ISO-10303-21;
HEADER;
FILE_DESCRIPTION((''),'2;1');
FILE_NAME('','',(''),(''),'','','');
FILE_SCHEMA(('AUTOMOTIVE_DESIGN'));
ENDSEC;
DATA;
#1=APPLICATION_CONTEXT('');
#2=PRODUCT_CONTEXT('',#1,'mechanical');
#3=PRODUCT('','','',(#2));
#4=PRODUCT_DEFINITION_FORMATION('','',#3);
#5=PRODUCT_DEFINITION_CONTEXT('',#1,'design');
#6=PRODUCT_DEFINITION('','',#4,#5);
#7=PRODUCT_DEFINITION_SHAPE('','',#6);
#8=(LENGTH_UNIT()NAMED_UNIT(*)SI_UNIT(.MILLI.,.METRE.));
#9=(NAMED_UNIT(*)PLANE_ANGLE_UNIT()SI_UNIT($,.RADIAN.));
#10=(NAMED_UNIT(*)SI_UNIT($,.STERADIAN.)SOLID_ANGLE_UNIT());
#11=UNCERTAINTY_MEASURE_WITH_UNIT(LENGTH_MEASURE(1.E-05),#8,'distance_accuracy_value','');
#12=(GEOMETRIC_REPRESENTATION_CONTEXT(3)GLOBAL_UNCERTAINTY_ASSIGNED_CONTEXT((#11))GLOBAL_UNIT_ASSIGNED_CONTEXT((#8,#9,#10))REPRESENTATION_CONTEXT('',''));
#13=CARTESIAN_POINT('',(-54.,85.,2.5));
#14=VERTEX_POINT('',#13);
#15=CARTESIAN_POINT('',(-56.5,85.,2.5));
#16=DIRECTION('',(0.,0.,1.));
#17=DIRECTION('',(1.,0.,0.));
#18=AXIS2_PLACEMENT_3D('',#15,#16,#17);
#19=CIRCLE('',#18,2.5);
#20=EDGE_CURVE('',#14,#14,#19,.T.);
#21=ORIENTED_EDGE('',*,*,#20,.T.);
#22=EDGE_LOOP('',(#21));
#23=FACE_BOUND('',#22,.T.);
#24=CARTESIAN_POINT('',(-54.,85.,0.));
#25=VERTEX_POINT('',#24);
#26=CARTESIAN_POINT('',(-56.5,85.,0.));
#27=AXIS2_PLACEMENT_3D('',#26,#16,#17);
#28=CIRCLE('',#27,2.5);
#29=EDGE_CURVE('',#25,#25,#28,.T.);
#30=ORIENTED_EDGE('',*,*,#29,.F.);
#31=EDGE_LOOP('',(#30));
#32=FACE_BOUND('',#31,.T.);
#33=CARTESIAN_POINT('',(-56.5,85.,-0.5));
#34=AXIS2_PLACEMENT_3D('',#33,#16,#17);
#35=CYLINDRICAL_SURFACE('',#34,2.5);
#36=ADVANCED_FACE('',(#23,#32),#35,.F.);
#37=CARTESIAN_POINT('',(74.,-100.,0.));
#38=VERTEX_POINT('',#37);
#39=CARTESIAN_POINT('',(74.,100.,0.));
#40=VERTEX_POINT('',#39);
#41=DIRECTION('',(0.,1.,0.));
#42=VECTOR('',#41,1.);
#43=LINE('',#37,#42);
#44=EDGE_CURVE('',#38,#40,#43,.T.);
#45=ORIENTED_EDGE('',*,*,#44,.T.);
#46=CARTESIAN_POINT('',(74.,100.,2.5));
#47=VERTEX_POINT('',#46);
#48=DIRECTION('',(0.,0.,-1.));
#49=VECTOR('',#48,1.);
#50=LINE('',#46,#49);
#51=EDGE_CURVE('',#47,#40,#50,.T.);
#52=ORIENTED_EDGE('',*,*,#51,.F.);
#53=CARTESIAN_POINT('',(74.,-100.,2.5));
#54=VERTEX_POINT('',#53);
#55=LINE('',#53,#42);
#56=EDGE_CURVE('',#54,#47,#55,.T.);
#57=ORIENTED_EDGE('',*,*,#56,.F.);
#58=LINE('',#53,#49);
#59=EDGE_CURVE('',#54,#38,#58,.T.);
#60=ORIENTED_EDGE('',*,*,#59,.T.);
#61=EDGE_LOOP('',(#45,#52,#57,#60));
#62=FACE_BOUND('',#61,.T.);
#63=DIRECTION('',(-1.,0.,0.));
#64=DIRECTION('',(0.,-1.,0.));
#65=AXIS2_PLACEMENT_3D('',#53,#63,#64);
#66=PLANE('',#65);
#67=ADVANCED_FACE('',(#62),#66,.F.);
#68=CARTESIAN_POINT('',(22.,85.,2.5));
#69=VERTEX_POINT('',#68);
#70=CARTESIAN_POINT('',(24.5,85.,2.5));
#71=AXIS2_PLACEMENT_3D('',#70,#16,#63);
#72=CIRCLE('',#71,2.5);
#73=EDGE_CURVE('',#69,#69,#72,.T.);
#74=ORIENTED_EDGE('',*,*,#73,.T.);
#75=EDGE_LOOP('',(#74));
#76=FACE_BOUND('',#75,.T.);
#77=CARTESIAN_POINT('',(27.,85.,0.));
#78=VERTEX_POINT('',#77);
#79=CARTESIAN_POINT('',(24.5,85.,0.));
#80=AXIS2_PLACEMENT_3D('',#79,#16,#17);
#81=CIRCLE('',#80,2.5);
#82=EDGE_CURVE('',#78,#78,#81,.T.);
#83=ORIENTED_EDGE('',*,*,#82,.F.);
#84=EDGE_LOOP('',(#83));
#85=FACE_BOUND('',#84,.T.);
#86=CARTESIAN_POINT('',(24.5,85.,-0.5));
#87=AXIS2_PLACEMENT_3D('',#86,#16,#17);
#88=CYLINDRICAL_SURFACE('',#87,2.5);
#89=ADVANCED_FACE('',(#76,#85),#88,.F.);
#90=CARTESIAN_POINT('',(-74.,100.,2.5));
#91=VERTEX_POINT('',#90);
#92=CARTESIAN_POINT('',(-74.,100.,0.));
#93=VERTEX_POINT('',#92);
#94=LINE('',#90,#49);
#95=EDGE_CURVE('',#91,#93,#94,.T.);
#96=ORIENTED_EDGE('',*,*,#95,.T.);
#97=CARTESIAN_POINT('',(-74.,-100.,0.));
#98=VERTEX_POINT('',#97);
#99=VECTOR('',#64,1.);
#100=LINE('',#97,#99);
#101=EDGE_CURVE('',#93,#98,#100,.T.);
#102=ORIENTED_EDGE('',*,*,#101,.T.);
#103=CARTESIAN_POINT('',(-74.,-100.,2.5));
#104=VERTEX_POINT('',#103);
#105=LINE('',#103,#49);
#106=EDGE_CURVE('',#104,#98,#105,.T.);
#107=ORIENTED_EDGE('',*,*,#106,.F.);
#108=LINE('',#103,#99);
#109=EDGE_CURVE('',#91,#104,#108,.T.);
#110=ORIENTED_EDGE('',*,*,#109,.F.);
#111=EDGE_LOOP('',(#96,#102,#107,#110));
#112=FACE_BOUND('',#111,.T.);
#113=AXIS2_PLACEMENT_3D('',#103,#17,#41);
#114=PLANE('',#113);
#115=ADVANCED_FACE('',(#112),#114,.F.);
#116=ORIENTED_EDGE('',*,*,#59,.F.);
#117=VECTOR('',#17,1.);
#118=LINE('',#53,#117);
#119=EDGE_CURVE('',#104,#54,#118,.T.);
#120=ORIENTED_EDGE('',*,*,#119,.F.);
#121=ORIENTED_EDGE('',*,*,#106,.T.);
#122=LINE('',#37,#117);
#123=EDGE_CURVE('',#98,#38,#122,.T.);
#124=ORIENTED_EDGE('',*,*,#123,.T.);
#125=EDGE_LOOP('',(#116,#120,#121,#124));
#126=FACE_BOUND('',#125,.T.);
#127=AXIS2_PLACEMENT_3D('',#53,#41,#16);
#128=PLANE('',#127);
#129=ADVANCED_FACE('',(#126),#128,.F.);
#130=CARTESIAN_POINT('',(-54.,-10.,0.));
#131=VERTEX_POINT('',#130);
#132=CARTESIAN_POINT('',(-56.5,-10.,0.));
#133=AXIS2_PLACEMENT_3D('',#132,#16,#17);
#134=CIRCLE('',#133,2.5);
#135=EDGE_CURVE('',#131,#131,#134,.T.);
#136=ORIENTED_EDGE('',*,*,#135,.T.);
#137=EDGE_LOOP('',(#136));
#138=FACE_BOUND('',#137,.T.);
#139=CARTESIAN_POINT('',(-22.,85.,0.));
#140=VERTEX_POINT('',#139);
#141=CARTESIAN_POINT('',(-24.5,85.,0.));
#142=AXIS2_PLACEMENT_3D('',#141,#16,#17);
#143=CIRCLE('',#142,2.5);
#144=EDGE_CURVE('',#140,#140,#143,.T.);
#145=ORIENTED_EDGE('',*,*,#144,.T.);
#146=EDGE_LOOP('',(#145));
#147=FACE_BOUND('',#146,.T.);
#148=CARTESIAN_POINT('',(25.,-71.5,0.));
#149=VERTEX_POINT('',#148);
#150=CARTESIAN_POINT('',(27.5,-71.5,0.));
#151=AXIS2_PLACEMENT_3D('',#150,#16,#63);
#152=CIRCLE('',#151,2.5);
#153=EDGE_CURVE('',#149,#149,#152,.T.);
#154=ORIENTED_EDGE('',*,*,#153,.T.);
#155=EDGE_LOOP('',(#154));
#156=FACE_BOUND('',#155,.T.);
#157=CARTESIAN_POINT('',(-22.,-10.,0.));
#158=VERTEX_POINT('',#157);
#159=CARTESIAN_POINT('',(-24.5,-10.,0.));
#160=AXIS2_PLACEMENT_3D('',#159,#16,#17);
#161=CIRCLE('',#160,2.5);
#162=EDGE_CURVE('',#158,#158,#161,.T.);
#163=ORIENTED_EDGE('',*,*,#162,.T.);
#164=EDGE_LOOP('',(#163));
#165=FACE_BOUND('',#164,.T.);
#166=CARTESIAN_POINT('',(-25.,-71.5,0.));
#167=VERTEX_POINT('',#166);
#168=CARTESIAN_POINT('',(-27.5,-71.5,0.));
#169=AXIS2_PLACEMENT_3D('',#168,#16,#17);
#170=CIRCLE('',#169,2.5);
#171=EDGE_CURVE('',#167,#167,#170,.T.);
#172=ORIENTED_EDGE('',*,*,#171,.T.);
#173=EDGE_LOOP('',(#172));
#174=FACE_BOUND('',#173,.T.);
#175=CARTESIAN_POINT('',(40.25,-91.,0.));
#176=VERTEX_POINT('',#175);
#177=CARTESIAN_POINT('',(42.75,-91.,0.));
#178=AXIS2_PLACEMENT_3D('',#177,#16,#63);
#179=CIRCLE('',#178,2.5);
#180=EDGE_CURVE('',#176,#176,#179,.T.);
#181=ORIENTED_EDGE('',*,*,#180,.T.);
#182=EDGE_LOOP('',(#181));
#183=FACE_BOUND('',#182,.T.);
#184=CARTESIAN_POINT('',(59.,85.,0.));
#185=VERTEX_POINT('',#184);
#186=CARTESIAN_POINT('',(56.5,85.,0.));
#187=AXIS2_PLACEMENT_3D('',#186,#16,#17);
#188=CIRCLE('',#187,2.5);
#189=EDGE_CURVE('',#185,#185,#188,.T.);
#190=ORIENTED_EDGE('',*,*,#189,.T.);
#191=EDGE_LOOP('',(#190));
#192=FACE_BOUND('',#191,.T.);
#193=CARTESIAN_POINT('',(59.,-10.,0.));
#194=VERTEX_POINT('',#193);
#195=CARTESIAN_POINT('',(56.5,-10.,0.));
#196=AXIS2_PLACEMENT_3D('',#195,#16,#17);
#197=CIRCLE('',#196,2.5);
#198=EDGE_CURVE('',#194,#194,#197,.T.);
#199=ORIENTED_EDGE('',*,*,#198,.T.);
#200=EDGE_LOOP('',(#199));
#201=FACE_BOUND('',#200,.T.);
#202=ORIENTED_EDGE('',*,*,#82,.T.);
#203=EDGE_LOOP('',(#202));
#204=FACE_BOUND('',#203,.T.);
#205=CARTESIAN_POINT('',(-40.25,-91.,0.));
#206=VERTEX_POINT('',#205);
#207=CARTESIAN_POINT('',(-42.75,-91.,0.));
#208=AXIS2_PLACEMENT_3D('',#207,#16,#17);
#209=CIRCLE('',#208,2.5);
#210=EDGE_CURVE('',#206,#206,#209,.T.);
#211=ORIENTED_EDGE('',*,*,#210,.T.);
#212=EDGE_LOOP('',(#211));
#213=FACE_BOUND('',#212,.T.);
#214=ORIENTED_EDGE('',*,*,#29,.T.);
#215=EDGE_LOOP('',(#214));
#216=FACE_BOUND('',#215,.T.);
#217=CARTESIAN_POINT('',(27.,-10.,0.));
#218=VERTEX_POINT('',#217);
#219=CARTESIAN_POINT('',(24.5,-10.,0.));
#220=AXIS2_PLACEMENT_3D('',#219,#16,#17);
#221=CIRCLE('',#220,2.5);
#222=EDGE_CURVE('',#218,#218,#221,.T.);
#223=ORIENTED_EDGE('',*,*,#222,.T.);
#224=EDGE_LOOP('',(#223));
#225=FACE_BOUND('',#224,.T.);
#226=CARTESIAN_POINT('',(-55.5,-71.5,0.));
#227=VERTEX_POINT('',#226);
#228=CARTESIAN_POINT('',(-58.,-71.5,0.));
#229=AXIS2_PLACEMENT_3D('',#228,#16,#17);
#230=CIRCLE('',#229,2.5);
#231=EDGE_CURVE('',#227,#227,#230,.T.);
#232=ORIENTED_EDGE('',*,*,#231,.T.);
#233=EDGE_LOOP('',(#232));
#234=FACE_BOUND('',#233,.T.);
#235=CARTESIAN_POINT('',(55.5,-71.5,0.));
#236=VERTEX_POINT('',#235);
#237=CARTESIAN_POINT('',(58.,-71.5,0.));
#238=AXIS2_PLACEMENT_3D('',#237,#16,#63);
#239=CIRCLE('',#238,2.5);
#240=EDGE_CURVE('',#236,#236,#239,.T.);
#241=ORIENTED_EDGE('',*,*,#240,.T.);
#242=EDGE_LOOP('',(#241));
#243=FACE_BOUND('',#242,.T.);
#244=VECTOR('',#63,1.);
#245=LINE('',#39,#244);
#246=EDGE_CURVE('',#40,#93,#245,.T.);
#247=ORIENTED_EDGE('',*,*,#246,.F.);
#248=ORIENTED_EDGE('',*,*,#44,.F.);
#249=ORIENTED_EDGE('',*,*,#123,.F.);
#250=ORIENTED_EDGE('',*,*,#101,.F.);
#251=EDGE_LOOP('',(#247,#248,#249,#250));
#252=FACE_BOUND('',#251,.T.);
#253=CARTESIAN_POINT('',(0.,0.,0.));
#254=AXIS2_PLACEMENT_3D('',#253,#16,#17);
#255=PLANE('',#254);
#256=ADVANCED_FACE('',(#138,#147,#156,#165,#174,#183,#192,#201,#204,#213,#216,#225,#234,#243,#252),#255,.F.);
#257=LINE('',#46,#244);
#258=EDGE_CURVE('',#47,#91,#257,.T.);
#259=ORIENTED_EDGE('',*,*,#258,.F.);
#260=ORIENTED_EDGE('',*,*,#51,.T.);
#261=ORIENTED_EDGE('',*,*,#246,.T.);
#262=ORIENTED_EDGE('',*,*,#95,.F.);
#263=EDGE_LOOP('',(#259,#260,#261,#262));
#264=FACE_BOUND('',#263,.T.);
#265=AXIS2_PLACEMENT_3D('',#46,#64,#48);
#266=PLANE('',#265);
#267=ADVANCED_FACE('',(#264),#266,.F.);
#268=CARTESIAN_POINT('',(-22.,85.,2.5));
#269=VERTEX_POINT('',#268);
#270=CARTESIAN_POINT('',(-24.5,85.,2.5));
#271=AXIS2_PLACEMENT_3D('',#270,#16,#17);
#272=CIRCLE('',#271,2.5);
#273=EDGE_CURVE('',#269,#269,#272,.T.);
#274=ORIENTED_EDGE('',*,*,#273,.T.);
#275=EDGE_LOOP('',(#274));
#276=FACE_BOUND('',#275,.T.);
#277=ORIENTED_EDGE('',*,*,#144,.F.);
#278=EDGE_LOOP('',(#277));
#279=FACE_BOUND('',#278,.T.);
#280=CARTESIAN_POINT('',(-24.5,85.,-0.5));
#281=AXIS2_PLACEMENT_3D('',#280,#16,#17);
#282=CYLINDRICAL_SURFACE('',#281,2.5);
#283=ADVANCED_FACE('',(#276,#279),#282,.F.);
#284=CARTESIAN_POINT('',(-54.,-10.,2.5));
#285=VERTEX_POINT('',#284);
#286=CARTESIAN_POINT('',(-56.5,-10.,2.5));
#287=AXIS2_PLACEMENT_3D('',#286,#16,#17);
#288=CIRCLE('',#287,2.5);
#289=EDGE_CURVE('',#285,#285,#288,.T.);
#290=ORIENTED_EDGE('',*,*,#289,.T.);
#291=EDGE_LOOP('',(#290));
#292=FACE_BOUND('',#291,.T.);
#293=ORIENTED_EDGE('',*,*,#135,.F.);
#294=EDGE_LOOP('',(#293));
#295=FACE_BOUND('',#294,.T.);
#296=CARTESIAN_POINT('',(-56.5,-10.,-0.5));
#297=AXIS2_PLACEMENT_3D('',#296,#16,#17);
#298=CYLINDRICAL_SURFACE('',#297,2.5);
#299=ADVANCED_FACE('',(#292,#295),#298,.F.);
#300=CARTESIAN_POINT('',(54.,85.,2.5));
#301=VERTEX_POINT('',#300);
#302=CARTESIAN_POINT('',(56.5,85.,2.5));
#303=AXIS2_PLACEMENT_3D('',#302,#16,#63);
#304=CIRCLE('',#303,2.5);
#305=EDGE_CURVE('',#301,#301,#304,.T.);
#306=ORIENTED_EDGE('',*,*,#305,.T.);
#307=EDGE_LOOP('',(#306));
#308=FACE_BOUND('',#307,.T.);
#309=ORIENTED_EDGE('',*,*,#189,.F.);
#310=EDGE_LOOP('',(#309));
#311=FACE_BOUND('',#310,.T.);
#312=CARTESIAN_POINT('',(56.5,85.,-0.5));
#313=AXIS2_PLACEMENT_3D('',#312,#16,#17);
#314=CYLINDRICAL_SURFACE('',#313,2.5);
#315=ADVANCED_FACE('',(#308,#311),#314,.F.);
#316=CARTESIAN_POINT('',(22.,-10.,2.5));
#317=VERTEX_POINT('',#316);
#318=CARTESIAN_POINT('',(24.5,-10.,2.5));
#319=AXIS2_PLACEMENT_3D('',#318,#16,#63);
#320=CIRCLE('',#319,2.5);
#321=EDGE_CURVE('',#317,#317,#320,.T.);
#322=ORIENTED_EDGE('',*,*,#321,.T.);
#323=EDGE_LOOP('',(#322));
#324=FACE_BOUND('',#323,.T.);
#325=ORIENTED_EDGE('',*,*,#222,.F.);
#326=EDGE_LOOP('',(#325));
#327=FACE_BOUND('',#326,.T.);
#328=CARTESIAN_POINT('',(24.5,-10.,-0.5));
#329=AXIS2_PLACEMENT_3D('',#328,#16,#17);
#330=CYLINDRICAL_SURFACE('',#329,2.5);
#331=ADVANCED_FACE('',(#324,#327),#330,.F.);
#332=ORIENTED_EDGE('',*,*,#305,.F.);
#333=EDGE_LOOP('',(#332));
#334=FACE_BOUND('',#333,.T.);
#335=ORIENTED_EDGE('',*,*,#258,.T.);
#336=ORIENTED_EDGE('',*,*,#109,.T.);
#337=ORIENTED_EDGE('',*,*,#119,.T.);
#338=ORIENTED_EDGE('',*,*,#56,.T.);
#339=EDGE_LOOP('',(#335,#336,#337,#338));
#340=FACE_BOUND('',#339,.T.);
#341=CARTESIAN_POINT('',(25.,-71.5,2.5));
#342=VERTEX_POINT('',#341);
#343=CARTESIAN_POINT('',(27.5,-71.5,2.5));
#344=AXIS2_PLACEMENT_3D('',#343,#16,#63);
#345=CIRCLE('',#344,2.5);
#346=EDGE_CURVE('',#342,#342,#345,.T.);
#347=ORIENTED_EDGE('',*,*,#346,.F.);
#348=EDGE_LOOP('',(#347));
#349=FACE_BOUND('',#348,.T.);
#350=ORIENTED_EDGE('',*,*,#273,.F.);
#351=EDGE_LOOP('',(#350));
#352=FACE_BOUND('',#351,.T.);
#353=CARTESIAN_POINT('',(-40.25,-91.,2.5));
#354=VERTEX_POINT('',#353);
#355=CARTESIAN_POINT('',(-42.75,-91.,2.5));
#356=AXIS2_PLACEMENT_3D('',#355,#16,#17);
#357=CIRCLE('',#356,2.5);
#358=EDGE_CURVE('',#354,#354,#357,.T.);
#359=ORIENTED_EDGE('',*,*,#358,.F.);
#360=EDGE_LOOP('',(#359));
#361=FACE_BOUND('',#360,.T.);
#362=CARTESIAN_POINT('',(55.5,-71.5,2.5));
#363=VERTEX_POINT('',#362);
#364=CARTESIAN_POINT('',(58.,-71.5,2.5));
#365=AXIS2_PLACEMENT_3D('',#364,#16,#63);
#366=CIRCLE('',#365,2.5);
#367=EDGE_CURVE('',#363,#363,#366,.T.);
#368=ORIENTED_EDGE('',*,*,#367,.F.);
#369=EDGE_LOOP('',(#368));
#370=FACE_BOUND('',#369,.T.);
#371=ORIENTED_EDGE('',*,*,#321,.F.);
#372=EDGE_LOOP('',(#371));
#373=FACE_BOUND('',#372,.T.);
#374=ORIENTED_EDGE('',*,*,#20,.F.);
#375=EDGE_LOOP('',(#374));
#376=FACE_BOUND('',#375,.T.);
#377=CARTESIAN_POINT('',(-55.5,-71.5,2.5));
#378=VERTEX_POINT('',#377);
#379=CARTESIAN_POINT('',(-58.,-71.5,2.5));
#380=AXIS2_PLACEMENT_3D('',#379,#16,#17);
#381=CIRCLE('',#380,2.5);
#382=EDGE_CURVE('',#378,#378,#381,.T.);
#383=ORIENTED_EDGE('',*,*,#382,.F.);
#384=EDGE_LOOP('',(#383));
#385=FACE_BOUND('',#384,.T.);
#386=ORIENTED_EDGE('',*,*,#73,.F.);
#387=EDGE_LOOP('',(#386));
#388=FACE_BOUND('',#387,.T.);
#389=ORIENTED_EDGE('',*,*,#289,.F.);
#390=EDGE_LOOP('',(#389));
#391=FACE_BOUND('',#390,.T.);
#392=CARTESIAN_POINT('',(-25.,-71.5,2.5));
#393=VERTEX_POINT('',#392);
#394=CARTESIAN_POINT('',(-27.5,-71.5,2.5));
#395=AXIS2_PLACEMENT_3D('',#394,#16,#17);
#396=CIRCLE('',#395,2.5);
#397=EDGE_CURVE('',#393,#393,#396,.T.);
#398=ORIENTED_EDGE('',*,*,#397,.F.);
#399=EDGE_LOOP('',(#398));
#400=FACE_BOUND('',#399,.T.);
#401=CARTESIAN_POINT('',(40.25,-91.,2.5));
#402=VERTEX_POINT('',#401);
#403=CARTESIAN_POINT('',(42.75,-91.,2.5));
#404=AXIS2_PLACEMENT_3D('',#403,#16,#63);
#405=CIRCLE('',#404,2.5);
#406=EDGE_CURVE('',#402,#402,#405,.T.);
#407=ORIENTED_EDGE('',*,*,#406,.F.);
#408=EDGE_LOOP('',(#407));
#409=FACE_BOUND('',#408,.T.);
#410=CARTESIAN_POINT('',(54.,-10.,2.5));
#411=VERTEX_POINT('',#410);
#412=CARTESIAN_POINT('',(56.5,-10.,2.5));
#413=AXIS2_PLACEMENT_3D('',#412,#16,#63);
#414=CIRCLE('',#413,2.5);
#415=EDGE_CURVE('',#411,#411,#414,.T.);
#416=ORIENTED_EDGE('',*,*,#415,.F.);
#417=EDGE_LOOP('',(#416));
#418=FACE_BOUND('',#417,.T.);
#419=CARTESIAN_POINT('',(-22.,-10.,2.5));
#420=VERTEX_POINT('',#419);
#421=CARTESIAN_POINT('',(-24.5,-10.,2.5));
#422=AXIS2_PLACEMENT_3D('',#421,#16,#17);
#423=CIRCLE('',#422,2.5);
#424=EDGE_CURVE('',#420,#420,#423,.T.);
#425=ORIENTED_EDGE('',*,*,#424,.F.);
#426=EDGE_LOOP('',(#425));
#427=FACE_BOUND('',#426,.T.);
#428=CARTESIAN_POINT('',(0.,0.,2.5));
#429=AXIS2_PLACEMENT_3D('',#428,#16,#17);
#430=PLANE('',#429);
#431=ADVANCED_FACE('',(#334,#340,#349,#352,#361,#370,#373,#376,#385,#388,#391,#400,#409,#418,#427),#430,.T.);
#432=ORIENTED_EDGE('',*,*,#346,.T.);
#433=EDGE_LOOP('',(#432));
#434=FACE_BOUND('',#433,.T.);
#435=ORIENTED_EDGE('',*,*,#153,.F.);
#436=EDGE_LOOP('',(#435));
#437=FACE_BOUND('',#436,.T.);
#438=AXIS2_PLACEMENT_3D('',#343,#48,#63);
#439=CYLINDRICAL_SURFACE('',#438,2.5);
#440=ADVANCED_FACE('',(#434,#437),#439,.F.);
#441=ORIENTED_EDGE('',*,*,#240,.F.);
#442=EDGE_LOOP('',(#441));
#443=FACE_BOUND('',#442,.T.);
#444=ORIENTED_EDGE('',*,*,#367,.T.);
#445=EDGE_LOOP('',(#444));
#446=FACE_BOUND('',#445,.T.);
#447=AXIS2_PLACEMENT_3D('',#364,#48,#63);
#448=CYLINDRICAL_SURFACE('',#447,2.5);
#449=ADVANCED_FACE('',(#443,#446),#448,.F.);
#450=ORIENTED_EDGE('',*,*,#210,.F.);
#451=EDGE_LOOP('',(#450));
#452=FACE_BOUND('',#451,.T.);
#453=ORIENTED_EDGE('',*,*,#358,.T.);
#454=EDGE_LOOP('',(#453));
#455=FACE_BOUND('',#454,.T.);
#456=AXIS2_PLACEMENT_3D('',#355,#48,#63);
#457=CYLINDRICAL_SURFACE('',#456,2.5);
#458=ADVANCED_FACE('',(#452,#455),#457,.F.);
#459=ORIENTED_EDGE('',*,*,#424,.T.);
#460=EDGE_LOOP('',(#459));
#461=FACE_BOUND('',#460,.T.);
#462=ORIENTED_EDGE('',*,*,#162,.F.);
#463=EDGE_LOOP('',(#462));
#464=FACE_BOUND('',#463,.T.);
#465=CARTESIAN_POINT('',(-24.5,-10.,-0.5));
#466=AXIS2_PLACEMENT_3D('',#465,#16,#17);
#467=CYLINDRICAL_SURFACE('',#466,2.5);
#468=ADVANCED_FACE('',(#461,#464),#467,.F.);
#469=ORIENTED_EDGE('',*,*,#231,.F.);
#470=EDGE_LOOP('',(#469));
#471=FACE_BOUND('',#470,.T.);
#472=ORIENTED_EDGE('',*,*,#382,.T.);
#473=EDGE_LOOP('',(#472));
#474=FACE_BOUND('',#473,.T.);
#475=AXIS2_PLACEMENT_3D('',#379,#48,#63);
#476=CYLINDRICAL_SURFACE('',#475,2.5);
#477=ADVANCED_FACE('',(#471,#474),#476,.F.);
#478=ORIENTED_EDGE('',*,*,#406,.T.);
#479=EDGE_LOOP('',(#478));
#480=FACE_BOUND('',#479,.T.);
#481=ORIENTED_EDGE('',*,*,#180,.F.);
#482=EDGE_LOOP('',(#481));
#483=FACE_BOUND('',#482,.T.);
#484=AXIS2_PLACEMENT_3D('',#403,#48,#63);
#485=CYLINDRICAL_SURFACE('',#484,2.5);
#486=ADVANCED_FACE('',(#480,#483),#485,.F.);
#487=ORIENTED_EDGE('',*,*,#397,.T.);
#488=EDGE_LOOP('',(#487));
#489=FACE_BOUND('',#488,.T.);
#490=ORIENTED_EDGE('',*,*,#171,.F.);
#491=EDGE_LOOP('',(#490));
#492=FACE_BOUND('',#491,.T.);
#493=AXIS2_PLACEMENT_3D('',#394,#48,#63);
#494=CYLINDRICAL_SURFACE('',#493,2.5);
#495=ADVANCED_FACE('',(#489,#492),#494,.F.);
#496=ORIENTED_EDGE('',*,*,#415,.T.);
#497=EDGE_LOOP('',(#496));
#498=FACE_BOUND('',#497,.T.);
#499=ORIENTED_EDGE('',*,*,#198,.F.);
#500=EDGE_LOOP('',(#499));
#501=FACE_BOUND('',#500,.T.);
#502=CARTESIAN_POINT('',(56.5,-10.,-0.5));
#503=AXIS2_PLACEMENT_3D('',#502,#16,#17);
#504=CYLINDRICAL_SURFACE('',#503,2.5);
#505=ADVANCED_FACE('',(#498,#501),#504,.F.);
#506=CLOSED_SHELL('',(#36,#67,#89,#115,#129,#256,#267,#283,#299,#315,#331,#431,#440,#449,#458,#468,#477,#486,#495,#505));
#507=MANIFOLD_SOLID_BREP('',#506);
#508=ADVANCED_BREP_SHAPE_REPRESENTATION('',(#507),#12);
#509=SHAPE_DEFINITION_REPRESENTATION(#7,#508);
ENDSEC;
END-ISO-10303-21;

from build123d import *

# Parameters (mm, degrees)
SKETCH_1_W          = 148
SKETCH_1_H          = 200
SKETCH_1_R          = 2.5
EXTRUDE_1_DEPTH     = 2.5
SKETCH_2_R          = 2.5
CUT_EXTRUDE_1_DEPTH = 3


with BuildPart() as part:
    # 草图1 → 凸台-拉伸1 (new body)
    with BuildSketch(Plane.XY):
        Rectangle(SKETCH_1_W, SKETCH_1_H)
        with Locations((-58, -71.5)):
            Circle(SKETCH_1_R, mode=Mode.SUBTRACT)
        with Locations((-27.5, -71.5)):
            Circle(SKETCH_1_R, mode=Mode.SUBTRACT)
        with Locations((-42.75, -91)):
            Circle(SKETCH_1_R, mode=Mode.SUBTRACT)
        with Locations((42.75, -91)):
            Circle(SKETCH_1_R, mode=Mode.SUBTRACT)
        with Locations((58, -71.5)):
            Circle(SKETCH_1_R, mode=Mode.SUBTRACT)
        with Locations((27.5, -71.5)):
            Circle(SKETCH_1_R, mode=Mode.SUBTRACT)
    extrude(amount=EXTRUDE_1_DEPTH)

    # 草图2 → 切除-拉伸1 (cut)
    with BuildSketch(Plane.XY.offset(2.5)):
        with Locations((-56.5, -10)):
            Circle(SKETCH_2_R)
        with Locations((-24.5, -10)):
            Circle(SKETCH_2_R)
        with Locations((-56.5, 85)):
            Circle(SKETCH_2_R)
        with Locations((-24.5, 85)):
            Circle(SKETCH_2_R)
        with Locations((24.5, 85)):
            Circle(SKETCH_2_R)
        with Locations((56.5, 85)):
            Circle(SKETCH_2_R)
        with Locations((24.5, -10)):
            Circle(SKETCH_2_R)
        with Locations((56.5, -10)):
            Circle(SKETCH_2_R)
    extrude(amount=-CUT_EXTRUDE_1_DEPTH, mode=Mode.SUBTRACT)


solid = part.part
